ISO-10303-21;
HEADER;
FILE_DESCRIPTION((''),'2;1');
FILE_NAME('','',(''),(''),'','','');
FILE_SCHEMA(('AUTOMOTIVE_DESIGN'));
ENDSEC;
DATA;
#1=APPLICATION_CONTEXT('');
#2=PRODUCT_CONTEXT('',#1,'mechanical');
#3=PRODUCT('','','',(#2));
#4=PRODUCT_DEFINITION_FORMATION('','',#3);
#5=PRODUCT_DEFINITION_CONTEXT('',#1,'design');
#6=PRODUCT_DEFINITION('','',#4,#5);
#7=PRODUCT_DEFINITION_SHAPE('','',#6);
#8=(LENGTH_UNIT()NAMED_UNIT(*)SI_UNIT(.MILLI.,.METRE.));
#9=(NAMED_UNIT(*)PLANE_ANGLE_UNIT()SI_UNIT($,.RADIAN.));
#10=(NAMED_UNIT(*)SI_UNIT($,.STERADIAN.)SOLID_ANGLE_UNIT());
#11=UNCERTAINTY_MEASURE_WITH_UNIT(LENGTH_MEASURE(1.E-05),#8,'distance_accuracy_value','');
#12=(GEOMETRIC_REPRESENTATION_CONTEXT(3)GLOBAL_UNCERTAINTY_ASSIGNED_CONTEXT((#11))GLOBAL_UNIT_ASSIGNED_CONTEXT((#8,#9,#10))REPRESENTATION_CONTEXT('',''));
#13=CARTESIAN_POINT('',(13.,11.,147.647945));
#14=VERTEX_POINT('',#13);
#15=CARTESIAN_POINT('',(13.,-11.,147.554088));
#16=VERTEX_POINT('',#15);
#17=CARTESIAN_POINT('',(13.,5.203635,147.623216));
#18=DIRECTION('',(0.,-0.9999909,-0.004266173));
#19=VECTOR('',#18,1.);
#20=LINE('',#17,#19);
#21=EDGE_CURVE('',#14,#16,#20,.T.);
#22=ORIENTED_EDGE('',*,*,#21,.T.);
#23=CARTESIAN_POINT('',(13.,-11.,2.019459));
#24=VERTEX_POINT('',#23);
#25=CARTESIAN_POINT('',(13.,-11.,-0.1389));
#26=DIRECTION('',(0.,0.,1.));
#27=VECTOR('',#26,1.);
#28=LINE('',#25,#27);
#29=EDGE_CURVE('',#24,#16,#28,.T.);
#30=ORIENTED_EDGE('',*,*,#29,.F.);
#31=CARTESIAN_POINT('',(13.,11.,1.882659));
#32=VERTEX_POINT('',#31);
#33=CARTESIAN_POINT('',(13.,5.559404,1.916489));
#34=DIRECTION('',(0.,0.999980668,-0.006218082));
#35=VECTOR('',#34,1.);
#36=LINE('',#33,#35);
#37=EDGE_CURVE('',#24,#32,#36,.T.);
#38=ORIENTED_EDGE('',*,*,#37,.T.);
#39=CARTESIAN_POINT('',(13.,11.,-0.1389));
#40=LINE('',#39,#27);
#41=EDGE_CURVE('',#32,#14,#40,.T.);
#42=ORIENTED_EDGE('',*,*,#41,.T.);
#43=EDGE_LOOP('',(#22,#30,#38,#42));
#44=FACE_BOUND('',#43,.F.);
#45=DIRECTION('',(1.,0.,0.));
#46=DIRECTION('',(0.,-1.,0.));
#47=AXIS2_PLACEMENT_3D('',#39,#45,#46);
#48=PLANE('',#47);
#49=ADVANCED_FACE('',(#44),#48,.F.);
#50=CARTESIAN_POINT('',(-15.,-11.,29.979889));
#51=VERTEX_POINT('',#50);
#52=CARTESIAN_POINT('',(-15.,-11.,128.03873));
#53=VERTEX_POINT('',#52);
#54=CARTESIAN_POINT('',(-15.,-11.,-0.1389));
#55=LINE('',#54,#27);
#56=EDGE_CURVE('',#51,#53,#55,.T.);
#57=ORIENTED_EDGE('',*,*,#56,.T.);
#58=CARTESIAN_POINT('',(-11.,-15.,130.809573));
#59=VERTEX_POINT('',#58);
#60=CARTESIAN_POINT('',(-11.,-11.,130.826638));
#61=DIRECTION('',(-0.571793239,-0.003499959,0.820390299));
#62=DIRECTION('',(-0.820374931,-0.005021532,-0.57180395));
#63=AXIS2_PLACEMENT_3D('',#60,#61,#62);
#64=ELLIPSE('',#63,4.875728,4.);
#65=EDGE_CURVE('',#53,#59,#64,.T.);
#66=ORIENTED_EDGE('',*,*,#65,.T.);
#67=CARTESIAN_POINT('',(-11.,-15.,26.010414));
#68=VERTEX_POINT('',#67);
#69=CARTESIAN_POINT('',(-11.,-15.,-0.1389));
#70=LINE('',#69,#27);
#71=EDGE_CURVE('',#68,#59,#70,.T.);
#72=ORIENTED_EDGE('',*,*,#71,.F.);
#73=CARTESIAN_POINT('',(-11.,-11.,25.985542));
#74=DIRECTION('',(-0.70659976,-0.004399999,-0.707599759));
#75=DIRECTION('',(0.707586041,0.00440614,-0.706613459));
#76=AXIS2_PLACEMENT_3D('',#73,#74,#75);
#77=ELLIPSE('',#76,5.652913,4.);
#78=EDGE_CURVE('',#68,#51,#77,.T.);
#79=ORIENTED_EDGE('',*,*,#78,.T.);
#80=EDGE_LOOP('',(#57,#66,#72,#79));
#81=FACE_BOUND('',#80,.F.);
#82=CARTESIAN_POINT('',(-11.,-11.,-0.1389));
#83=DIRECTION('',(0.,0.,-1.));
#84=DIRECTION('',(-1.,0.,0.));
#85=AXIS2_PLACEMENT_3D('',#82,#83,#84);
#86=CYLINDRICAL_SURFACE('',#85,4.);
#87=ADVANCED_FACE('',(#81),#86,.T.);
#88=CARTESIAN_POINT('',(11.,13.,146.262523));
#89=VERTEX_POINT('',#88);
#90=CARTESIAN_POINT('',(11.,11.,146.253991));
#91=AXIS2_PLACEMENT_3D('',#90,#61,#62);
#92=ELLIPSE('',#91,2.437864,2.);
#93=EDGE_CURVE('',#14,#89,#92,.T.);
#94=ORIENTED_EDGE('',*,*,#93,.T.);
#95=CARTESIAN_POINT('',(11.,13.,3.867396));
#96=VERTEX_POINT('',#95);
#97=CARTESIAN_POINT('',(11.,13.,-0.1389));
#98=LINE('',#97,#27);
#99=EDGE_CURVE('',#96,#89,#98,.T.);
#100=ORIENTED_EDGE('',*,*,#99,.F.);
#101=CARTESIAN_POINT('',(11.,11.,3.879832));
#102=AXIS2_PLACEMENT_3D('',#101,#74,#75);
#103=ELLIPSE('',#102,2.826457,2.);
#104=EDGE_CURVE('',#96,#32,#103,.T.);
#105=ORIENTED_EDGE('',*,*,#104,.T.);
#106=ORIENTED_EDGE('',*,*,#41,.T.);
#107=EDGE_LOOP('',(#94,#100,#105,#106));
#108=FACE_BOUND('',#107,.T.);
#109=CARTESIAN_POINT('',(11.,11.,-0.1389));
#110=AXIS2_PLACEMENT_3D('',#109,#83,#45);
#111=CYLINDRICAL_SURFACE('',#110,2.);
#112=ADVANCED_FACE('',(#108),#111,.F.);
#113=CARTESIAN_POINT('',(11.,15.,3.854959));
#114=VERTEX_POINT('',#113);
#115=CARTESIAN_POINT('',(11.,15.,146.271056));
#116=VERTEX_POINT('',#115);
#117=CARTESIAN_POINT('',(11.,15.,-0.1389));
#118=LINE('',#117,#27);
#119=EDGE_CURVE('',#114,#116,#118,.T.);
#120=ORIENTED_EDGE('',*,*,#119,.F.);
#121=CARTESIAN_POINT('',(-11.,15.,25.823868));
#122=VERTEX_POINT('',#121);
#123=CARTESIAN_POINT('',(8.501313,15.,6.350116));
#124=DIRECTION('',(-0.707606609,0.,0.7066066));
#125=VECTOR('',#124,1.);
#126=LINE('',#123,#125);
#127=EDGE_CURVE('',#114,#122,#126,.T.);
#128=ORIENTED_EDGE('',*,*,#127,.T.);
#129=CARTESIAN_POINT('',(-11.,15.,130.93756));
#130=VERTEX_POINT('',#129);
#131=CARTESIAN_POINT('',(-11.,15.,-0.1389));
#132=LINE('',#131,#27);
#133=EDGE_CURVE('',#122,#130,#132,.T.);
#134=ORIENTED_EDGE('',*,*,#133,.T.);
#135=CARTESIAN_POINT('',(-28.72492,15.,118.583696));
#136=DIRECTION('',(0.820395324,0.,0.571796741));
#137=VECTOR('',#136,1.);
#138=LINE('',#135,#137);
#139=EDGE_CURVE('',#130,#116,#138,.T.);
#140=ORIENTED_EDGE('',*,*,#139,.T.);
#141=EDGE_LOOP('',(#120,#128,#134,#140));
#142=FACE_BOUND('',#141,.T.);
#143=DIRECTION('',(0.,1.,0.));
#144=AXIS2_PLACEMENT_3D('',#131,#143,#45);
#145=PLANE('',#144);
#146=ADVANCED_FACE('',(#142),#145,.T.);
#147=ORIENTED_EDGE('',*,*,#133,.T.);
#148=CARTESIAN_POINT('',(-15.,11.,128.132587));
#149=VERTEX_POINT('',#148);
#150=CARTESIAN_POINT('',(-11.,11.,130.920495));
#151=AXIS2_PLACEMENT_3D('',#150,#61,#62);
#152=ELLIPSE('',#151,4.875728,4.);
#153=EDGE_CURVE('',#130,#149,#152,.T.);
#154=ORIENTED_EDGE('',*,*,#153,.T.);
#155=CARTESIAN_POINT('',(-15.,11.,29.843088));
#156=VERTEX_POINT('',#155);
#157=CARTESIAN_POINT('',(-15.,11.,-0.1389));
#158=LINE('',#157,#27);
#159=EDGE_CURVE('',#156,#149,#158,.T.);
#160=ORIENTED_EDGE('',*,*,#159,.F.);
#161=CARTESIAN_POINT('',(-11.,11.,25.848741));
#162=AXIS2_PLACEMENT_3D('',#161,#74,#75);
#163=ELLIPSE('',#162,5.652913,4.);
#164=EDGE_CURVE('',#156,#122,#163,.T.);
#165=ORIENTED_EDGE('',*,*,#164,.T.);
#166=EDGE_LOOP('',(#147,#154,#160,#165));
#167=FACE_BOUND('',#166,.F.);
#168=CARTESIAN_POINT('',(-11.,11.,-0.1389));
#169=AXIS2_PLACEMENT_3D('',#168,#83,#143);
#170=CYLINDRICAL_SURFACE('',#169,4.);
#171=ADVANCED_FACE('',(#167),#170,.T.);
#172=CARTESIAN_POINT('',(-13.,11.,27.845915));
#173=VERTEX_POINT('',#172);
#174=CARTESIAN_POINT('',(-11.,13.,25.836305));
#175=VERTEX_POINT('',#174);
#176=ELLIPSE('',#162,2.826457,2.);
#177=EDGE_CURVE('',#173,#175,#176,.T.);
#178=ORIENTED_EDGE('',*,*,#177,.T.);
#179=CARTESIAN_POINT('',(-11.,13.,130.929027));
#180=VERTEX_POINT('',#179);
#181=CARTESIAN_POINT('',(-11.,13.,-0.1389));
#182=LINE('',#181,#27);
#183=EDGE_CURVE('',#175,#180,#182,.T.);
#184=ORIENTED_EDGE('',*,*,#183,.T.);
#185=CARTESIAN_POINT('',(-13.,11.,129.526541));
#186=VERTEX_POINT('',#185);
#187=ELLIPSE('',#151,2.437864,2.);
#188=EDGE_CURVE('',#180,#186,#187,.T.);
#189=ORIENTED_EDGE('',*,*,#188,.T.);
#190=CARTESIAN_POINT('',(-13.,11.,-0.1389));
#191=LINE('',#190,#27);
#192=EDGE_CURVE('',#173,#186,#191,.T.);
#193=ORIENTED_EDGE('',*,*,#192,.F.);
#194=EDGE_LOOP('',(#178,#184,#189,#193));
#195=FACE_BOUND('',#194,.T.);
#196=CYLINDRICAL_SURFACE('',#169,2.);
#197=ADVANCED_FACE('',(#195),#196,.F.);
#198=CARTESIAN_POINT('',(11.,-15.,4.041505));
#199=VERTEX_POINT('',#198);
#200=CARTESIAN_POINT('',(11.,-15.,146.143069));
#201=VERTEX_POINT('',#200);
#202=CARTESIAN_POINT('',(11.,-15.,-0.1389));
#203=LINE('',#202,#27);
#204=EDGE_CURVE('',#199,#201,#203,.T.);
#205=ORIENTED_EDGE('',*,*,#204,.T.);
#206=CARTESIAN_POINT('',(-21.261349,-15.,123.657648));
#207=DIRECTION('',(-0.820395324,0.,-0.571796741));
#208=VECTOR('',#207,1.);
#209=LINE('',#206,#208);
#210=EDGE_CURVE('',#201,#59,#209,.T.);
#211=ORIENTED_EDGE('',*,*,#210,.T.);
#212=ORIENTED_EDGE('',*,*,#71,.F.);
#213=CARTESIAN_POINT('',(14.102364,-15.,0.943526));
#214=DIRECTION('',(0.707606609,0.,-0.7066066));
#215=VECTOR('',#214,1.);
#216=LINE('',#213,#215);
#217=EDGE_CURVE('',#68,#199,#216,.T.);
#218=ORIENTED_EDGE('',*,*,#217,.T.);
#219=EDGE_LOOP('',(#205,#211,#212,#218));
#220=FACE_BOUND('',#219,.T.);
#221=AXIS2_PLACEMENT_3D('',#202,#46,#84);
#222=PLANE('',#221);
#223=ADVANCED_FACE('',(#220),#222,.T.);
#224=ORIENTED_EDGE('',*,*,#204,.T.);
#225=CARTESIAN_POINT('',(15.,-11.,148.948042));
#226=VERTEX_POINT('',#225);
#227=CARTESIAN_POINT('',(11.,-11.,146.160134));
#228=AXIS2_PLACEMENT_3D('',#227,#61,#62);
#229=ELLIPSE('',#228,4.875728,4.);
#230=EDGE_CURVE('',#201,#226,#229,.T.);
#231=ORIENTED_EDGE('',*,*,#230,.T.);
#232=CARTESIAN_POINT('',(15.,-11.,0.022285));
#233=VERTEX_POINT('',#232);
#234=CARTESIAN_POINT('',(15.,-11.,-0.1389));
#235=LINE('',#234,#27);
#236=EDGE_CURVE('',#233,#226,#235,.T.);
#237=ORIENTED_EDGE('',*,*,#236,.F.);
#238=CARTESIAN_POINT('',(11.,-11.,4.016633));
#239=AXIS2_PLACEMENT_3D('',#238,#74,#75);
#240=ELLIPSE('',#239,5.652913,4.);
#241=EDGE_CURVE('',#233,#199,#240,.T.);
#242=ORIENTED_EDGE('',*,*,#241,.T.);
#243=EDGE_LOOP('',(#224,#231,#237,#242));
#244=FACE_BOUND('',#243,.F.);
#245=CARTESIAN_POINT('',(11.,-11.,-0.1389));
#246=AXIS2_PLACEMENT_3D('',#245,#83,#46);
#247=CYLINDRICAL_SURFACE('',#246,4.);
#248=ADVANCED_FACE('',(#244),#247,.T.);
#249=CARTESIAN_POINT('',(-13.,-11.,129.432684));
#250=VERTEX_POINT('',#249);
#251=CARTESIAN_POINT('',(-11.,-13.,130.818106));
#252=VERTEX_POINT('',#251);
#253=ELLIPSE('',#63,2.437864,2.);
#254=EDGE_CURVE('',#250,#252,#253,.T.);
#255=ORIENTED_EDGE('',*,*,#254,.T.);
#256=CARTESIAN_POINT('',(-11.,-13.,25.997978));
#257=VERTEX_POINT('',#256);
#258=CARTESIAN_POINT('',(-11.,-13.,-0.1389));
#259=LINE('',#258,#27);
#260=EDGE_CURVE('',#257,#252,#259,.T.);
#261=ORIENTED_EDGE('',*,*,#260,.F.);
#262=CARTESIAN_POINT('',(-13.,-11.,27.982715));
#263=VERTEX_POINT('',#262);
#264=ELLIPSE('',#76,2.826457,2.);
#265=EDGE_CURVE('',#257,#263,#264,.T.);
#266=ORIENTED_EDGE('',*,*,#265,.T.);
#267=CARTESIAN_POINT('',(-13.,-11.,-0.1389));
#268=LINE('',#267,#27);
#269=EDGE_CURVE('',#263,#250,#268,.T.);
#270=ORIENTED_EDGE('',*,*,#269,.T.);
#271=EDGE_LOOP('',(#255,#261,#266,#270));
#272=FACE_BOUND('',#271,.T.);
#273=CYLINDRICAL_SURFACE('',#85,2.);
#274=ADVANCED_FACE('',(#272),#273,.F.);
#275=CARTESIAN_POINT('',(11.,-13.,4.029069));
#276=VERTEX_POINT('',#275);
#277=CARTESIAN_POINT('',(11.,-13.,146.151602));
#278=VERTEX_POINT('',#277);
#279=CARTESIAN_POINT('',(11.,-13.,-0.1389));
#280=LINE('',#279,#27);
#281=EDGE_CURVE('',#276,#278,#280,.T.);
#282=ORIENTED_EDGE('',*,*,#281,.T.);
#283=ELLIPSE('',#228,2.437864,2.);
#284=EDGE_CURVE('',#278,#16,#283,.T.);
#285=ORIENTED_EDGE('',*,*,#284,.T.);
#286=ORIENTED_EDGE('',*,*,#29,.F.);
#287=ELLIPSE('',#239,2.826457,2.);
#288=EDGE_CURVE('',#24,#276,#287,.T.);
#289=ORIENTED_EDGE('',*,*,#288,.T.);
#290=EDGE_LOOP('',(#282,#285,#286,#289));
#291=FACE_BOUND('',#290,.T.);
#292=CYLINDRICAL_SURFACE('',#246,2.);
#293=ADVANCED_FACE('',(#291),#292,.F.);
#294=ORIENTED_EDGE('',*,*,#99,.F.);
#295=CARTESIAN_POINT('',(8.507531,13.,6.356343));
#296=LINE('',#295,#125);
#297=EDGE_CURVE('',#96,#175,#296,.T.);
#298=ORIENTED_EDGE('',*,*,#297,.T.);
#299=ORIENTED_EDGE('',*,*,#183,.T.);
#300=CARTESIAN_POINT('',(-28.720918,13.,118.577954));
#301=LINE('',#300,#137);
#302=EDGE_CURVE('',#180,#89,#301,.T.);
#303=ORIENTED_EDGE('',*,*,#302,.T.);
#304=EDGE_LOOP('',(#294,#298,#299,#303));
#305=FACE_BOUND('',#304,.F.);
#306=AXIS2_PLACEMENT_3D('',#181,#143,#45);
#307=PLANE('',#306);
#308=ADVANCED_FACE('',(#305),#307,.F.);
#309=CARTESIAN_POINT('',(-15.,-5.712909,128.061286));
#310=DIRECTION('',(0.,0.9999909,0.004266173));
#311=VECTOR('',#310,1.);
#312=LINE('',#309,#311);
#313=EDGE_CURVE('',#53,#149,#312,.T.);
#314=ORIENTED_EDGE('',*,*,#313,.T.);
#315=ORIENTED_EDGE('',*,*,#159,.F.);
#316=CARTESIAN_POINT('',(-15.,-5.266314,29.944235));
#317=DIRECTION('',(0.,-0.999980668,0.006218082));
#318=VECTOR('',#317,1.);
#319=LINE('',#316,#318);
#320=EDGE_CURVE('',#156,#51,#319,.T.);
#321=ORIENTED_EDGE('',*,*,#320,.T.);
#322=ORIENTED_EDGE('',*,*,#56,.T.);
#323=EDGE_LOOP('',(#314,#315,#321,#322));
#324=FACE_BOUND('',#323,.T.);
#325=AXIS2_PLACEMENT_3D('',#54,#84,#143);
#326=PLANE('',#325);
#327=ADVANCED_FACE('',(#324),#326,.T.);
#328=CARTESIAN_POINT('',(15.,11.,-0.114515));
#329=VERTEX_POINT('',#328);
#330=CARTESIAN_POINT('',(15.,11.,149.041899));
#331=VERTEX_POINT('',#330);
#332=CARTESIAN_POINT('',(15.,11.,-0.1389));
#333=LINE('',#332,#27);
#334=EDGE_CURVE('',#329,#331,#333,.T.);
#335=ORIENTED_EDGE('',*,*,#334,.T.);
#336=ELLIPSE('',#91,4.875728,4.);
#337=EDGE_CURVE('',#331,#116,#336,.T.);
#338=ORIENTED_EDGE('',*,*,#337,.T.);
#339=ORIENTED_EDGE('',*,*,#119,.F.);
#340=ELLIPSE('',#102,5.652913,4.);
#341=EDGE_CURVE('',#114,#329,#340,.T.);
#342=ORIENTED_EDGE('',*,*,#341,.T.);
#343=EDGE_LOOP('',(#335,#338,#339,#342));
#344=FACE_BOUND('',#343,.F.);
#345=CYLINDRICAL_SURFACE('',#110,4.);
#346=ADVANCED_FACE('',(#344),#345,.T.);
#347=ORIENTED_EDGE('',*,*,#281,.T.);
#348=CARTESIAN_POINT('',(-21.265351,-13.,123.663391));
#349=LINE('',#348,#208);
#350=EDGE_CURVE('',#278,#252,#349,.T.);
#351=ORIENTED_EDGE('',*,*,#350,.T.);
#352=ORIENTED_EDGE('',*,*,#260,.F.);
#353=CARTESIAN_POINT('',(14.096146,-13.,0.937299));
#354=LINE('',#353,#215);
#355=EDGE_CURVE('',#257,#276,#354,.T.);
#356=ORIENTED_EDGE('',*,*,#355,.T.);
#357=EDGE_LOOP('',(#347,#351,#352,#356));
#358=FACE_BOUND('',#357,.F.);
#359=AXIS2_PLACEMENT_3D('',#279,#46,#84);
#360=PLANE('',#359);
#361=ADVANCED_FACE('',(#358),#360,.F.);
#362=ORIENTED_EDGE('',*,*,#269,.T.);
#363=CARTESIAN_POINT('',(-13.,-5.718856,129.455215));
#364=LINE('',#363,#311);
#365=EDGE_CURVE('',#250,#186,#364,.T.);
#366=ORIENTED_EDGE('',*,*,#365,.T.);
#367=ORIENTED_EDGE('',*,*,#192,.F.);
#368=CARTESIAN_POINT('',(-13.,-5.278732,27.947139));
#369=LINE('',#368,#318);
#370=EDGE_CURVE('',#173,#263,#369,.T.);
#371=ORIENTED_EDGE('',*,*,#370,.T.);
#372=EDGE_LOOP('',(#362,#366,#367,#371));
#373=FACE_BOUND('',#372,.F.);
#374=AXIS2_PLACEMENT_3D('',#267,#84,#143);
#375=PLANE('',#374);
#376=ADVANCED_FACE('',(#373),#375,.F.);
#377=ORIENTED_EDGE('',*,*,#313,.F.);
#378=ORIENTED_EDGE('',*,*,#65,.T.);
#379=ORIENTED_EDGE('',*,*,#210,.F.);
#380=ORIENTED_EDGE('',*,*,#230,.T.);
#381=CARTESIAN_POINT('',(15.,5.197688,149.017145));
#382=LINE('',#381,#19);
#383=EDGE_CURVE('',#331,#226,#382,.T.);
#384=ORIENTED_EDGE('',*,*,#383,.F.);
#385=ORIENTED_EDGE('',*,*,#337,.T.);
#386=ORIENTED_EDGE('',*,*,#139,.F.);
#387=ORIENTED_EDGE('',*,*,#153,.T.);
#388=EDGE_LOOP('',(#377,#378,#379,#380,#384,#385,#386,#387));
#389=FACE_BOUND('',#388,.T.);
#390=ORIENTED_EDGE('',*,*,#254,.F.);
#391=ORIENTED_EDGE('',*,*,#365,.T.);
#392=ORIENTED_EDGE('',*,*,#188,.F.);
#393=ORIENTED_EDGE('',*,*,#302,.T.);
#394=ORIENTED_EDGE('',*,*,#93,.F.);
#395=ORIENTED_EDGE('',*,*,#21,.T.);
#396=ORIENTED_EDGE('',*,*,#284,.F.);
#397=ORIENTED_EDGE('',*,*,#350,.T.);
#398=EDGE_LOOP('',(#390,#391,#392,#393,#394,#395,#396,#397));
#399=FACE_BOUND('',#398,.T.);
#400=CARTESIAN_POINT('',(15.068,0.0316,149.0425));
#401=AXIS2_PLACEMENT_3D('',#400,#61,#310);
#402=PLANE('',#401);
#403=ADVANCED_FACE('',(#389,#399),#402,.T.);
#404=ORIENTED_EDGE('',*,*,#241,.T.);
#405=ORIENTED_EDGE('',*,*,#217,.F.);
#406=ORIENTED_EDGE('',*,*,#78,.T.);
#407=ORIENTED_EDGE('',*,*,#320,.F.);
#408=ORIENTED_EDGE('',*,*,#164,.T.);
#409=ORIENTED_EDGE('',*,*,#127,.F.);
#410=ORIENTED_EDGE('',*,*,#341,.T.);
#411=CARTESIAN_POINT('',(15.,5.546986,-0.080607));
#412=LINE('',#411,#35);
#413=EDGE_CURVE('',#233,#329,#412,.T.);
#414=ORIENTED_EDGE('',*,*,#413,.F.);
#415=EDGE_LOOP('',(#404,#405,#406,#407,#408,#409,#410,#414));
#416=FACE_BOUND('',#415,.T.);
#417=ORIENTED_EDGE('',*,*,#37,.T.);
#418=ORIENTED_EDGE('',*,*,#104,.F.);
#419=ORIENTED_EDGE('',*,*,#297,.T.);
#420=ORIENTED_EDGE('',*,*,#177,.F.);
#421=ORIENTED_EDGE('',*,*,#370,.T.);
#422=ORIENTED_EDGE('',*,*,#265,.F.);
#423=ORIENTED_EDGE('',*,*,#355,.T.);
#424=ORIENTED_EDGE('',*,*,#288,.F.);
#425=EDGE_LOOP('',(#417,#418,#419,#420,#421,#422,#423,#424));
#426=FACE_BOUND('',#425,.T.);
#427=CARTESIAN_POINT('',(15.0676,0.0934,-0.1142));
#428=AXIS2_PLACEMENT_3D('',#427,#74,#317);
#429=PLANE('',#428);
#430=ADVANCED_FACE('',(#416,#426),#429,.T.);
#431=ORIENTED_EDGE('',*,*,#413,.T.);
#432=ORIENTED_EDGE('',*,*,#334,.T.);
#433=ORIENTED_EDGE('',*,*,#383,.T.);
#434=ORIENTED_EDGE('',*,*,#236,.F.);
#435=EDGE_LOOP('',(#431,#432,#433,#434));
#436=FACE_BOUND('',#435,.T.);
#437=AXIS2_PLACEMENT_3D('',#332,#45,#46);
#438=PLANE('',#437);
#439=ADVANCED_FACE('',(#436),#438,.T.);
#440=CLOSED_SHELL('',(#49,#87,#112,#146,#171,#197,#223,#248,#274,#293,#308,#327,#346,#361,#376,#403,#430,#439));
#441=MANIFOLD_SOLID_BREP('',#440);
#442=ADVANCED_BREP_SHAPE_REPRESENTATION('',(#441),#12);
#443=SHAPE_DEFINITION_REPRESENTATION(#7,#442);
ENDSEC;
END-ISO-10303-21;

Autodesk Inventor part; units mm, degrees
ref_plane "Plano inicial" through (0, 0, -0.1389) normal (0, 0, 1) x (1, 0, 0)
ref_plane "Plano final" through (0, 0, 149.0598) normal (0, 0, 1) x (1, 0, 0)
sketch "Esboço" plane through (0, 0, 0) normal (0, 0, 1) x (1, 0, 0)
  line L0 (-15, -11) -> (-15, 11)
  line L1 (-11, 15) -> (11, 15)
  line L2 (15, 11) -> (15, -11)
  line L3 (11, -15) -> (-11, -15)
  arc A0 (-15, -11) -> (-11, -15) centre (-11, -11) ccw
  arc A1 (15, 11) -> (11, 15) centre (11, 11) ccw
  arc A2 (-11, 15) -> (-15, 11) centre (-11, 11) ccw
  arc A3 (11, -15) -> (15, -11) centre (11, -11) ccw
  arc A4 (-11, 13) -> (-13, 11) centre (-11, 11) ccw
  line L4 (-11, 13) -> (11, 13)
  arc A5 (13, 11) -> (11, 13) centre (11, 11) ccw
  line L5 (13, 11) -> (13, -11)
  arc A6 (11, -13) -> (13, -11) centre (11, -11) ccw
  line L6 (11, -13) -> (-11, -13)
  arc A7 (-13, -11) -> (-11, -13) centre (-11, -11) ccw
  line L7 (-13, -11) -> (-13, 11)
  line L8 (0, 22.1598) -> (0, -22.1598) construction
  line L9 (-22.1598, 0) -> (22.1598, 0) construction
  dimension "d7" = 4
  dimension "d9" = 30
  dimension "d11" = 30
  dimension "d12" = 2
  dimension "d15" = 15
  dimension "d16" = 15
extrude "Corpo" add sketch "Esboço" along normal up to surface (149.1987 mm away) from surface at -0.1389
sketch "Sketch3" plane through (0, 0, 0) normal (0, 0, 1) x (1, 0, 0)
  line L0 (0, 0) -> (10, 0)
ref_plane "Work Plane3" through (0, 0, 0) normal (0, -1, 0) x (1, 0, 0)
sketch "Sketch4" plane through (0, 0, 0) normal (0, -1, 0) x (1, 0, 0)
  line L0 (-2, -0.1389) -> (12, -0.1389)
  line L1 (-2, 149.0598) -> (12, 149.0598)
  dimension "d18" = 149.1987
ref_plane "Plano de trabalho4" through (15.068, 0.0316, 149.0425) normal (-0.5718, -0.0035, 0.8204) x (0.8204, -0.0011, 0.5718)
split "Dividir1" plane through (15.068, 0.0316, 149.0425) removes the side toward (-0.5718, -0.0035, 0.8204)
ref_plane "Plano de trabalho5" through (15.0676, 0.0934, -0.1142) normal (-0.7066, -0.0044, -0.7076) x (-0.7075, -0.0106, 0.7066)
split "Dividir2" plane through (15.0676, 0.0934, -0.1142) removes the side toward (-0.7066, -0.0044, -0.7076)
equation "\"d7\" = G_IR"
equation "\"d9\" = G_W"
equation "\"d11\" = G_H"
equation "\"d12\" = G_T"
equation "\"d15\" = 0.5 * d9"
equation "\"d16\" = 0.5 * d11"
equation "\"d3\" = G_L"
equation "\"G_W\" = 30"
equation "\"G_H\" = 30"
equation "\"G_T\" = 2"
equation "\"G_IR\" = 4"
equation "\"G_L\" = 149.15683"
equation "\"G_OFFSET_START\" = 0.13894"
equation "\"G_OFFSET_END\" = 0.01563"
equation "\"d13\" = -G_OFFSET_START"
equation "\"d14\" = G_OFFSET_END + B_L"
equation "\"B_L\" = 149.04417"
properties part number "ISO 10799-2 - 30x30x2 - 149,0425708" material "Aço, suave"
